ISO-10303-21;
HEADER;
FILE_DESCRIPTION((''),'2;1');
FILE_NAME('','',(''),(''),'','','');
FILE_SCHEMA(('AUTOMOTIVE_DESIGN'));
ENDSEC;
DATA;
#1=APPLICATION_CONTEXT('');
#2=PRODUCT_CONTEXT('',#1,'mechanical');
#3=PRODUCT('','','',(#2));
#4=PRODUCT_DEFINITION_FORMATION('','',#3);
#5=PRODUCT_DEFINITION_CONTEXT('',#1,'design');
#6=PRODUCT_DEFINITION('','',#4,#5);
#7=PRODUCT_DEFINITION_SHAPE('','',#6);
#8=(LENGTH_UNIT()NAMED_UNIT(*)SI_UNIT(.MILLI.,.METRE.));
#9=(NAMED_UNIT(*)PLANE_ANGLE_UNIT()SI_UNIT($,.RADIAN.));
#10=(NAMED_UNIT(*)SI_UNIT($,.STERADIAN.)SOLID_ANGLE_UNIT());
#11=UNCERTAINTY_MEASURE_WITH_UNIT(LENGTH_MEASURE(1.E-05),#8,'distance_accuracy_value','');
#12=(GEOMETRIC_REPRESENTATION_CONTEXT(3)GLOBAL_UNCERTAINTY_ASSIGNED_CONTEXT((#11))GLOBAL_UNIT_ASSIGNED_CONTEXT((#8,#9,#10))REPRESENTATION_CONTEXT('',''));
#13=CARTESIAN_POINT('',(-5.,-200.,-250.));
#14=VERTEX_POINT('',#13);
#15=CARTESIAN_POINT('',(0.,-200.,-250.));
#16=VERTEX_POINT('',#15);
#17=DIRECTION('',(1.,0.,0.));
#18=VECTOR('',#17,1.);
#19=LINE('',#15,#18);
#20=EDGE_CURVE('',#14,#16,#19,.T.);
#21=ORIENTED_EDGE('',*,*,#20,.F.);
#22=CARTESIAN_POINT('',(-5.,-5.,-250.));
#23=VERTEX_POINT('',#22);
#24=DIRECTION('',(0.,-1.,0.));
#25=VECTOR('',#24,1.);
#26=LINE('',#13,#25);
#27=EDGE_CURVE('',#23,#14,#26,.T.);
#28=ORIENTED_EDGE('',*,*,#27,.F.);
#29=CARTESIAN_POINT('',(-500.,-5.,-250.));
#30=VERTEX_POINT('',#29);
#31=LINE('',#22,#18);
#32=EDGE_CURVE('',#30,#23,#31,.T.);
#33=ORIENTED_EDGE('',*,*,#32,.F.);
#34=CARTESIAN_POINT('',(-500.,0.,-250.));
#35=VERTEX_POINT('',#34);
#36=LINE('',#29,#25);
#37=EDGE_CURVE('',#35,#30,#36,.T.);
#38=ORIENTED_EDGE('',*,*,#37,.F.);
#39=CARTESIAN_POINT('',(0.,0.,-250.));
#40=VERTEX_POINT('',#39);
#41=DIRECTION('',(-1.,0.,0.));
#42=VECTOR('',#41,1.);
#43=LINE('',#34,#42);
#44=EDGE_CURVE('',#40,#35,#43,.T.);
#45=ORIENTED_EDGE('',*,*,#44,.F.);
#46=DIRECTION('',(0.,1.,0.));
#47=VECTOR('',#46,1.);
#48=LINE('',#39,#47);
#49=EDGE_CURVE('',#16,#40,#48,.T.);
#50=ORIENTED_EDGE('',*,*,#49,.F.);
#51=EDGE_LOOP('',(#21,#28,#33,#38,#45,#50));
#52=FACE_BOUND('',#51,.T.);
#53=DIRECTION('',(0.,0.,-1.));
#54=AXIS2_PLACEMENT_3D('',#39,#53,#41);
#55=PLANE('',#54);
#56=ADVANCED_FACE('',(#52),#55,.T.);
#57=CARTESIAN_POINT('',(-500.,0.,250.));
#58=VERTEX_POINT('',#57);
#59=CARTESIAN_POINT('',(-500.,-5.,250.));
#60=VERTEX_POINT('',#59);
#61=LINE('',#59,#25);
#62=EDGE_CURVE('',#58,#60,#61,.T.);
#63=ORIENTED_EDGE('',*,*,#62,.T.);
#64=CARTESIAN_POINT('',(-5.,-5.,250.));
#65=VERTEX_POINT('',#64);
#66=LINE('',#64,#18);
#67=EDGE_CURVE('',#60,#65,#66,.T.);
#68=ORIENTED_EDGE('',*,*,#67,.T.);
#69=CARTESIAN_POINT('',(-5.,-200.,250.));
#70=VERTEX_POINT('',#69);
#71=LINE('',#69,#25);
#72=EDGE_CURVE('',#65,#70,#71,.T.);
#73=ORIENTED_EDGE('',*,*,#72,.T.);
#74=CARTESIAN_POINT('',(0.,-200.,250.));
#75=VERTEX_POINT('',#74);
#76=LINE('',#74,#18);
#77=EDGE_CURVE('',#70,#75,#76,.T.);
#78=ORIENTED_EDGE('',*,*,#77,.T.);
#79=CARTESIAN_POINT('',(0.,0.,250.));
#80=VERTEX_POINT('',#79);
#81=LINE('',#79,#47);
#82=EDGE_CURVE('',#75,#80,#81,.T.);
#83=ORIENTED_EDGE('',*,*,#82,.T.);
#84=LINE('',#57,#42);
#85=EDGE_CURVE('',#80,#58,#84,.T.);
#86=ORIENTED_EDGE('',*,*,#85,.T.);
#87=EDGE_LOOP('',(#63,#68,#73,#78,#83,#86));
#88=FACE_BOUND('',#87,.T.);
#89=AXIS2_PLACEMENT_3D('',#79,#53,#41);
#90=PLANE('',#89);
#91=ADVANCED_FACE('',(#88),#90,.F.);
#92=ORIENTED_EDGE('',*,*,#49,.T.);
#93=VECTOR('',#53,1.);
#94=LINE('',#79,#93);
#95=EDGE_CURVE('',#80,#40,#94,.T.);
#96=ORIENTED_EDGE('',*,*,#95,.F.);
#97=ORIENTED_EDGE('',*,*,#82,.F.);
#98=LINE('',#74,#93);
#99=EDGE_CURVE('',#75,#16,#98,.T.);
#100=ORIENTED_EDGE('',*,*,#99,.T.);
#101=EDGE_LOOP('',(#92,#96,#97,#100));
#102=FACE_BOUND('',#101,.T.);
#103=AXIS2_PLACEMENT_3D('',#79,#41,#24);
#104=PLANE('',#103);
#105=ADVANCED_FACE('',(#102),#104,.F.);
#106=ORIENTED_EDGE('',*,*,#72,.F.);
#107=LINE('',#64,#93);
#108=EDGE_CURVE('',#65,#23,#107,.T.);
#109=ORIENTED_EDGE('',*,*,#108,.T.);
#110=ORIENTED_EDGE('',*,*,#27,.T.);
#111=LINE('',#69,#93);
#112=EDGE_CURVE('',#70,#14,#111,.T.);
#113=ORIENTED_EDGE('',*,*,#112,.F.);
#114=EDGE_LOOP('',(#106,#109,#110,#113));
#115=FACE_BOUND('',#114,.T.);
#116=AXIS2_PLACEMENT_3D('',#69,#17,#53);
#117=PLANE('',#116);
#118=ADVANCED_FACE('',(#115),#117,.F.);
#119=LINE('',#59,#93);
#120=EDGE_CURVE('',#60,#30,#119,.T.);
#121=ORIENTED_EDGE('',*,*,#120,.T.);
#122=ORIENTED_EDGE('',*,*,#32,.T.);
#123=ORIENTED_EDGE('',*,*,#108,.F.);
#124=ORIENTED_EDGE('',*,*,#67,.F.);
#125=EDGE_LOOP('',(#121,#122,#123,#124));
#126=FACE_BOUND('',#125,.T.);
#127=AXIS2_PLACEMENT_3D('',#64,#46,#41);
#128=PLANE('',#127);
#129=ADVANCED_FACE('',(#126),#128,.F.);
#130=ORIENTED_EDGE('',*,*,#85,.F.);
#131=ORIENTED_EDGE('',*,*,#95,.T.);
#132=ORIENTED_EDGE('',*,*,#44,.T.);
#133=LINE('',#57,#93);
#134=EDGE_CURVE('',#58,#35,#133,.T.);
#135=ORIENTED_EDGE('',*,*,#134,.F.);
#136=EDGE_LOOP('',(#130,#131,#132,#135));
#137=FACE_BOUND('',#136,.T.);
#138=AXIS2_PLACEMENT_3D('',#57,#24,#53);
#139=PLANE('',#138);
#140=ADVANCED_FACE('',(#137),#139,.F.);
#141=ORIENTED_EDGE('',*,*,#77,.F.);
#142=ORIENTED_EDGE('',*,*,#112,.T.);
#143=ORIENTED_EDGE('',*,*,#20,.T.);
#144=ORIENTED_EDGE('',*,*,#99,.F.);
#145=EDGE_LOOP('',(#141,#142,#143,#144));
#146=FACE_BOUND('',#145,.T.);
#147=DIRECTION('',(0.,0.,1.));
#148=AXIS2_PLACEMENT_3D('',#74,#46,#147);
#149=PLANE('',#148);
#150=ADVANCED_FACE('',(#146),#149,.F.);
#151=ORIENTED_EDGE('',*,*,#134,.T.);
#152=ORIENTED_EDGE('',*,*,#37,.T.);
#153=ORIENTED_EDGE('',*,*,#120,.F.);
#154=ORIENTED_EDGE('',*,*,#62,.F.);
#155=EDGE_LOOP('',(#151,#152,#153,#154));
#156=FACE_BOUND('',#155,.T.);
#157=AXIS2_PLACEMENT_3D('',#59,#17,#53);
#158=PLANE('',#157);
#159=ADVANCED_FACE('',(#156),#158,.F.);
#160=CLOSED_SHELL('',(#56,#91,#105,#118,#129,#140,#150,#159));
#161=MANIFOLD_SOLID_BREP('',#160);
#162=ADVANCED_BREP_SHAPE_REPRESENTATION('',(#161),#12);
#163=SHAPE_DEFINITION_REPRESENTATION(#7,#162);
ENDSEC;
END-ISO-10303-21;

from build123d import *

# Parameters (mm, degrees)
BOSS_EXTRUDE1_DEPTH = 250


with BuildPart() as part:
    # Sketch1 → Boss-Extrude1 (new, symmetric)
    with BuildSketch(Plane.XY):
        Polygon((-500, 0), (0, 0), (0, -200), (-5, -200), (-5, -5), (-500, -5), align=None)
    extrude(amount=BOSS_EXTRUDE1_DEPTH, both=True)


solid = part.part
